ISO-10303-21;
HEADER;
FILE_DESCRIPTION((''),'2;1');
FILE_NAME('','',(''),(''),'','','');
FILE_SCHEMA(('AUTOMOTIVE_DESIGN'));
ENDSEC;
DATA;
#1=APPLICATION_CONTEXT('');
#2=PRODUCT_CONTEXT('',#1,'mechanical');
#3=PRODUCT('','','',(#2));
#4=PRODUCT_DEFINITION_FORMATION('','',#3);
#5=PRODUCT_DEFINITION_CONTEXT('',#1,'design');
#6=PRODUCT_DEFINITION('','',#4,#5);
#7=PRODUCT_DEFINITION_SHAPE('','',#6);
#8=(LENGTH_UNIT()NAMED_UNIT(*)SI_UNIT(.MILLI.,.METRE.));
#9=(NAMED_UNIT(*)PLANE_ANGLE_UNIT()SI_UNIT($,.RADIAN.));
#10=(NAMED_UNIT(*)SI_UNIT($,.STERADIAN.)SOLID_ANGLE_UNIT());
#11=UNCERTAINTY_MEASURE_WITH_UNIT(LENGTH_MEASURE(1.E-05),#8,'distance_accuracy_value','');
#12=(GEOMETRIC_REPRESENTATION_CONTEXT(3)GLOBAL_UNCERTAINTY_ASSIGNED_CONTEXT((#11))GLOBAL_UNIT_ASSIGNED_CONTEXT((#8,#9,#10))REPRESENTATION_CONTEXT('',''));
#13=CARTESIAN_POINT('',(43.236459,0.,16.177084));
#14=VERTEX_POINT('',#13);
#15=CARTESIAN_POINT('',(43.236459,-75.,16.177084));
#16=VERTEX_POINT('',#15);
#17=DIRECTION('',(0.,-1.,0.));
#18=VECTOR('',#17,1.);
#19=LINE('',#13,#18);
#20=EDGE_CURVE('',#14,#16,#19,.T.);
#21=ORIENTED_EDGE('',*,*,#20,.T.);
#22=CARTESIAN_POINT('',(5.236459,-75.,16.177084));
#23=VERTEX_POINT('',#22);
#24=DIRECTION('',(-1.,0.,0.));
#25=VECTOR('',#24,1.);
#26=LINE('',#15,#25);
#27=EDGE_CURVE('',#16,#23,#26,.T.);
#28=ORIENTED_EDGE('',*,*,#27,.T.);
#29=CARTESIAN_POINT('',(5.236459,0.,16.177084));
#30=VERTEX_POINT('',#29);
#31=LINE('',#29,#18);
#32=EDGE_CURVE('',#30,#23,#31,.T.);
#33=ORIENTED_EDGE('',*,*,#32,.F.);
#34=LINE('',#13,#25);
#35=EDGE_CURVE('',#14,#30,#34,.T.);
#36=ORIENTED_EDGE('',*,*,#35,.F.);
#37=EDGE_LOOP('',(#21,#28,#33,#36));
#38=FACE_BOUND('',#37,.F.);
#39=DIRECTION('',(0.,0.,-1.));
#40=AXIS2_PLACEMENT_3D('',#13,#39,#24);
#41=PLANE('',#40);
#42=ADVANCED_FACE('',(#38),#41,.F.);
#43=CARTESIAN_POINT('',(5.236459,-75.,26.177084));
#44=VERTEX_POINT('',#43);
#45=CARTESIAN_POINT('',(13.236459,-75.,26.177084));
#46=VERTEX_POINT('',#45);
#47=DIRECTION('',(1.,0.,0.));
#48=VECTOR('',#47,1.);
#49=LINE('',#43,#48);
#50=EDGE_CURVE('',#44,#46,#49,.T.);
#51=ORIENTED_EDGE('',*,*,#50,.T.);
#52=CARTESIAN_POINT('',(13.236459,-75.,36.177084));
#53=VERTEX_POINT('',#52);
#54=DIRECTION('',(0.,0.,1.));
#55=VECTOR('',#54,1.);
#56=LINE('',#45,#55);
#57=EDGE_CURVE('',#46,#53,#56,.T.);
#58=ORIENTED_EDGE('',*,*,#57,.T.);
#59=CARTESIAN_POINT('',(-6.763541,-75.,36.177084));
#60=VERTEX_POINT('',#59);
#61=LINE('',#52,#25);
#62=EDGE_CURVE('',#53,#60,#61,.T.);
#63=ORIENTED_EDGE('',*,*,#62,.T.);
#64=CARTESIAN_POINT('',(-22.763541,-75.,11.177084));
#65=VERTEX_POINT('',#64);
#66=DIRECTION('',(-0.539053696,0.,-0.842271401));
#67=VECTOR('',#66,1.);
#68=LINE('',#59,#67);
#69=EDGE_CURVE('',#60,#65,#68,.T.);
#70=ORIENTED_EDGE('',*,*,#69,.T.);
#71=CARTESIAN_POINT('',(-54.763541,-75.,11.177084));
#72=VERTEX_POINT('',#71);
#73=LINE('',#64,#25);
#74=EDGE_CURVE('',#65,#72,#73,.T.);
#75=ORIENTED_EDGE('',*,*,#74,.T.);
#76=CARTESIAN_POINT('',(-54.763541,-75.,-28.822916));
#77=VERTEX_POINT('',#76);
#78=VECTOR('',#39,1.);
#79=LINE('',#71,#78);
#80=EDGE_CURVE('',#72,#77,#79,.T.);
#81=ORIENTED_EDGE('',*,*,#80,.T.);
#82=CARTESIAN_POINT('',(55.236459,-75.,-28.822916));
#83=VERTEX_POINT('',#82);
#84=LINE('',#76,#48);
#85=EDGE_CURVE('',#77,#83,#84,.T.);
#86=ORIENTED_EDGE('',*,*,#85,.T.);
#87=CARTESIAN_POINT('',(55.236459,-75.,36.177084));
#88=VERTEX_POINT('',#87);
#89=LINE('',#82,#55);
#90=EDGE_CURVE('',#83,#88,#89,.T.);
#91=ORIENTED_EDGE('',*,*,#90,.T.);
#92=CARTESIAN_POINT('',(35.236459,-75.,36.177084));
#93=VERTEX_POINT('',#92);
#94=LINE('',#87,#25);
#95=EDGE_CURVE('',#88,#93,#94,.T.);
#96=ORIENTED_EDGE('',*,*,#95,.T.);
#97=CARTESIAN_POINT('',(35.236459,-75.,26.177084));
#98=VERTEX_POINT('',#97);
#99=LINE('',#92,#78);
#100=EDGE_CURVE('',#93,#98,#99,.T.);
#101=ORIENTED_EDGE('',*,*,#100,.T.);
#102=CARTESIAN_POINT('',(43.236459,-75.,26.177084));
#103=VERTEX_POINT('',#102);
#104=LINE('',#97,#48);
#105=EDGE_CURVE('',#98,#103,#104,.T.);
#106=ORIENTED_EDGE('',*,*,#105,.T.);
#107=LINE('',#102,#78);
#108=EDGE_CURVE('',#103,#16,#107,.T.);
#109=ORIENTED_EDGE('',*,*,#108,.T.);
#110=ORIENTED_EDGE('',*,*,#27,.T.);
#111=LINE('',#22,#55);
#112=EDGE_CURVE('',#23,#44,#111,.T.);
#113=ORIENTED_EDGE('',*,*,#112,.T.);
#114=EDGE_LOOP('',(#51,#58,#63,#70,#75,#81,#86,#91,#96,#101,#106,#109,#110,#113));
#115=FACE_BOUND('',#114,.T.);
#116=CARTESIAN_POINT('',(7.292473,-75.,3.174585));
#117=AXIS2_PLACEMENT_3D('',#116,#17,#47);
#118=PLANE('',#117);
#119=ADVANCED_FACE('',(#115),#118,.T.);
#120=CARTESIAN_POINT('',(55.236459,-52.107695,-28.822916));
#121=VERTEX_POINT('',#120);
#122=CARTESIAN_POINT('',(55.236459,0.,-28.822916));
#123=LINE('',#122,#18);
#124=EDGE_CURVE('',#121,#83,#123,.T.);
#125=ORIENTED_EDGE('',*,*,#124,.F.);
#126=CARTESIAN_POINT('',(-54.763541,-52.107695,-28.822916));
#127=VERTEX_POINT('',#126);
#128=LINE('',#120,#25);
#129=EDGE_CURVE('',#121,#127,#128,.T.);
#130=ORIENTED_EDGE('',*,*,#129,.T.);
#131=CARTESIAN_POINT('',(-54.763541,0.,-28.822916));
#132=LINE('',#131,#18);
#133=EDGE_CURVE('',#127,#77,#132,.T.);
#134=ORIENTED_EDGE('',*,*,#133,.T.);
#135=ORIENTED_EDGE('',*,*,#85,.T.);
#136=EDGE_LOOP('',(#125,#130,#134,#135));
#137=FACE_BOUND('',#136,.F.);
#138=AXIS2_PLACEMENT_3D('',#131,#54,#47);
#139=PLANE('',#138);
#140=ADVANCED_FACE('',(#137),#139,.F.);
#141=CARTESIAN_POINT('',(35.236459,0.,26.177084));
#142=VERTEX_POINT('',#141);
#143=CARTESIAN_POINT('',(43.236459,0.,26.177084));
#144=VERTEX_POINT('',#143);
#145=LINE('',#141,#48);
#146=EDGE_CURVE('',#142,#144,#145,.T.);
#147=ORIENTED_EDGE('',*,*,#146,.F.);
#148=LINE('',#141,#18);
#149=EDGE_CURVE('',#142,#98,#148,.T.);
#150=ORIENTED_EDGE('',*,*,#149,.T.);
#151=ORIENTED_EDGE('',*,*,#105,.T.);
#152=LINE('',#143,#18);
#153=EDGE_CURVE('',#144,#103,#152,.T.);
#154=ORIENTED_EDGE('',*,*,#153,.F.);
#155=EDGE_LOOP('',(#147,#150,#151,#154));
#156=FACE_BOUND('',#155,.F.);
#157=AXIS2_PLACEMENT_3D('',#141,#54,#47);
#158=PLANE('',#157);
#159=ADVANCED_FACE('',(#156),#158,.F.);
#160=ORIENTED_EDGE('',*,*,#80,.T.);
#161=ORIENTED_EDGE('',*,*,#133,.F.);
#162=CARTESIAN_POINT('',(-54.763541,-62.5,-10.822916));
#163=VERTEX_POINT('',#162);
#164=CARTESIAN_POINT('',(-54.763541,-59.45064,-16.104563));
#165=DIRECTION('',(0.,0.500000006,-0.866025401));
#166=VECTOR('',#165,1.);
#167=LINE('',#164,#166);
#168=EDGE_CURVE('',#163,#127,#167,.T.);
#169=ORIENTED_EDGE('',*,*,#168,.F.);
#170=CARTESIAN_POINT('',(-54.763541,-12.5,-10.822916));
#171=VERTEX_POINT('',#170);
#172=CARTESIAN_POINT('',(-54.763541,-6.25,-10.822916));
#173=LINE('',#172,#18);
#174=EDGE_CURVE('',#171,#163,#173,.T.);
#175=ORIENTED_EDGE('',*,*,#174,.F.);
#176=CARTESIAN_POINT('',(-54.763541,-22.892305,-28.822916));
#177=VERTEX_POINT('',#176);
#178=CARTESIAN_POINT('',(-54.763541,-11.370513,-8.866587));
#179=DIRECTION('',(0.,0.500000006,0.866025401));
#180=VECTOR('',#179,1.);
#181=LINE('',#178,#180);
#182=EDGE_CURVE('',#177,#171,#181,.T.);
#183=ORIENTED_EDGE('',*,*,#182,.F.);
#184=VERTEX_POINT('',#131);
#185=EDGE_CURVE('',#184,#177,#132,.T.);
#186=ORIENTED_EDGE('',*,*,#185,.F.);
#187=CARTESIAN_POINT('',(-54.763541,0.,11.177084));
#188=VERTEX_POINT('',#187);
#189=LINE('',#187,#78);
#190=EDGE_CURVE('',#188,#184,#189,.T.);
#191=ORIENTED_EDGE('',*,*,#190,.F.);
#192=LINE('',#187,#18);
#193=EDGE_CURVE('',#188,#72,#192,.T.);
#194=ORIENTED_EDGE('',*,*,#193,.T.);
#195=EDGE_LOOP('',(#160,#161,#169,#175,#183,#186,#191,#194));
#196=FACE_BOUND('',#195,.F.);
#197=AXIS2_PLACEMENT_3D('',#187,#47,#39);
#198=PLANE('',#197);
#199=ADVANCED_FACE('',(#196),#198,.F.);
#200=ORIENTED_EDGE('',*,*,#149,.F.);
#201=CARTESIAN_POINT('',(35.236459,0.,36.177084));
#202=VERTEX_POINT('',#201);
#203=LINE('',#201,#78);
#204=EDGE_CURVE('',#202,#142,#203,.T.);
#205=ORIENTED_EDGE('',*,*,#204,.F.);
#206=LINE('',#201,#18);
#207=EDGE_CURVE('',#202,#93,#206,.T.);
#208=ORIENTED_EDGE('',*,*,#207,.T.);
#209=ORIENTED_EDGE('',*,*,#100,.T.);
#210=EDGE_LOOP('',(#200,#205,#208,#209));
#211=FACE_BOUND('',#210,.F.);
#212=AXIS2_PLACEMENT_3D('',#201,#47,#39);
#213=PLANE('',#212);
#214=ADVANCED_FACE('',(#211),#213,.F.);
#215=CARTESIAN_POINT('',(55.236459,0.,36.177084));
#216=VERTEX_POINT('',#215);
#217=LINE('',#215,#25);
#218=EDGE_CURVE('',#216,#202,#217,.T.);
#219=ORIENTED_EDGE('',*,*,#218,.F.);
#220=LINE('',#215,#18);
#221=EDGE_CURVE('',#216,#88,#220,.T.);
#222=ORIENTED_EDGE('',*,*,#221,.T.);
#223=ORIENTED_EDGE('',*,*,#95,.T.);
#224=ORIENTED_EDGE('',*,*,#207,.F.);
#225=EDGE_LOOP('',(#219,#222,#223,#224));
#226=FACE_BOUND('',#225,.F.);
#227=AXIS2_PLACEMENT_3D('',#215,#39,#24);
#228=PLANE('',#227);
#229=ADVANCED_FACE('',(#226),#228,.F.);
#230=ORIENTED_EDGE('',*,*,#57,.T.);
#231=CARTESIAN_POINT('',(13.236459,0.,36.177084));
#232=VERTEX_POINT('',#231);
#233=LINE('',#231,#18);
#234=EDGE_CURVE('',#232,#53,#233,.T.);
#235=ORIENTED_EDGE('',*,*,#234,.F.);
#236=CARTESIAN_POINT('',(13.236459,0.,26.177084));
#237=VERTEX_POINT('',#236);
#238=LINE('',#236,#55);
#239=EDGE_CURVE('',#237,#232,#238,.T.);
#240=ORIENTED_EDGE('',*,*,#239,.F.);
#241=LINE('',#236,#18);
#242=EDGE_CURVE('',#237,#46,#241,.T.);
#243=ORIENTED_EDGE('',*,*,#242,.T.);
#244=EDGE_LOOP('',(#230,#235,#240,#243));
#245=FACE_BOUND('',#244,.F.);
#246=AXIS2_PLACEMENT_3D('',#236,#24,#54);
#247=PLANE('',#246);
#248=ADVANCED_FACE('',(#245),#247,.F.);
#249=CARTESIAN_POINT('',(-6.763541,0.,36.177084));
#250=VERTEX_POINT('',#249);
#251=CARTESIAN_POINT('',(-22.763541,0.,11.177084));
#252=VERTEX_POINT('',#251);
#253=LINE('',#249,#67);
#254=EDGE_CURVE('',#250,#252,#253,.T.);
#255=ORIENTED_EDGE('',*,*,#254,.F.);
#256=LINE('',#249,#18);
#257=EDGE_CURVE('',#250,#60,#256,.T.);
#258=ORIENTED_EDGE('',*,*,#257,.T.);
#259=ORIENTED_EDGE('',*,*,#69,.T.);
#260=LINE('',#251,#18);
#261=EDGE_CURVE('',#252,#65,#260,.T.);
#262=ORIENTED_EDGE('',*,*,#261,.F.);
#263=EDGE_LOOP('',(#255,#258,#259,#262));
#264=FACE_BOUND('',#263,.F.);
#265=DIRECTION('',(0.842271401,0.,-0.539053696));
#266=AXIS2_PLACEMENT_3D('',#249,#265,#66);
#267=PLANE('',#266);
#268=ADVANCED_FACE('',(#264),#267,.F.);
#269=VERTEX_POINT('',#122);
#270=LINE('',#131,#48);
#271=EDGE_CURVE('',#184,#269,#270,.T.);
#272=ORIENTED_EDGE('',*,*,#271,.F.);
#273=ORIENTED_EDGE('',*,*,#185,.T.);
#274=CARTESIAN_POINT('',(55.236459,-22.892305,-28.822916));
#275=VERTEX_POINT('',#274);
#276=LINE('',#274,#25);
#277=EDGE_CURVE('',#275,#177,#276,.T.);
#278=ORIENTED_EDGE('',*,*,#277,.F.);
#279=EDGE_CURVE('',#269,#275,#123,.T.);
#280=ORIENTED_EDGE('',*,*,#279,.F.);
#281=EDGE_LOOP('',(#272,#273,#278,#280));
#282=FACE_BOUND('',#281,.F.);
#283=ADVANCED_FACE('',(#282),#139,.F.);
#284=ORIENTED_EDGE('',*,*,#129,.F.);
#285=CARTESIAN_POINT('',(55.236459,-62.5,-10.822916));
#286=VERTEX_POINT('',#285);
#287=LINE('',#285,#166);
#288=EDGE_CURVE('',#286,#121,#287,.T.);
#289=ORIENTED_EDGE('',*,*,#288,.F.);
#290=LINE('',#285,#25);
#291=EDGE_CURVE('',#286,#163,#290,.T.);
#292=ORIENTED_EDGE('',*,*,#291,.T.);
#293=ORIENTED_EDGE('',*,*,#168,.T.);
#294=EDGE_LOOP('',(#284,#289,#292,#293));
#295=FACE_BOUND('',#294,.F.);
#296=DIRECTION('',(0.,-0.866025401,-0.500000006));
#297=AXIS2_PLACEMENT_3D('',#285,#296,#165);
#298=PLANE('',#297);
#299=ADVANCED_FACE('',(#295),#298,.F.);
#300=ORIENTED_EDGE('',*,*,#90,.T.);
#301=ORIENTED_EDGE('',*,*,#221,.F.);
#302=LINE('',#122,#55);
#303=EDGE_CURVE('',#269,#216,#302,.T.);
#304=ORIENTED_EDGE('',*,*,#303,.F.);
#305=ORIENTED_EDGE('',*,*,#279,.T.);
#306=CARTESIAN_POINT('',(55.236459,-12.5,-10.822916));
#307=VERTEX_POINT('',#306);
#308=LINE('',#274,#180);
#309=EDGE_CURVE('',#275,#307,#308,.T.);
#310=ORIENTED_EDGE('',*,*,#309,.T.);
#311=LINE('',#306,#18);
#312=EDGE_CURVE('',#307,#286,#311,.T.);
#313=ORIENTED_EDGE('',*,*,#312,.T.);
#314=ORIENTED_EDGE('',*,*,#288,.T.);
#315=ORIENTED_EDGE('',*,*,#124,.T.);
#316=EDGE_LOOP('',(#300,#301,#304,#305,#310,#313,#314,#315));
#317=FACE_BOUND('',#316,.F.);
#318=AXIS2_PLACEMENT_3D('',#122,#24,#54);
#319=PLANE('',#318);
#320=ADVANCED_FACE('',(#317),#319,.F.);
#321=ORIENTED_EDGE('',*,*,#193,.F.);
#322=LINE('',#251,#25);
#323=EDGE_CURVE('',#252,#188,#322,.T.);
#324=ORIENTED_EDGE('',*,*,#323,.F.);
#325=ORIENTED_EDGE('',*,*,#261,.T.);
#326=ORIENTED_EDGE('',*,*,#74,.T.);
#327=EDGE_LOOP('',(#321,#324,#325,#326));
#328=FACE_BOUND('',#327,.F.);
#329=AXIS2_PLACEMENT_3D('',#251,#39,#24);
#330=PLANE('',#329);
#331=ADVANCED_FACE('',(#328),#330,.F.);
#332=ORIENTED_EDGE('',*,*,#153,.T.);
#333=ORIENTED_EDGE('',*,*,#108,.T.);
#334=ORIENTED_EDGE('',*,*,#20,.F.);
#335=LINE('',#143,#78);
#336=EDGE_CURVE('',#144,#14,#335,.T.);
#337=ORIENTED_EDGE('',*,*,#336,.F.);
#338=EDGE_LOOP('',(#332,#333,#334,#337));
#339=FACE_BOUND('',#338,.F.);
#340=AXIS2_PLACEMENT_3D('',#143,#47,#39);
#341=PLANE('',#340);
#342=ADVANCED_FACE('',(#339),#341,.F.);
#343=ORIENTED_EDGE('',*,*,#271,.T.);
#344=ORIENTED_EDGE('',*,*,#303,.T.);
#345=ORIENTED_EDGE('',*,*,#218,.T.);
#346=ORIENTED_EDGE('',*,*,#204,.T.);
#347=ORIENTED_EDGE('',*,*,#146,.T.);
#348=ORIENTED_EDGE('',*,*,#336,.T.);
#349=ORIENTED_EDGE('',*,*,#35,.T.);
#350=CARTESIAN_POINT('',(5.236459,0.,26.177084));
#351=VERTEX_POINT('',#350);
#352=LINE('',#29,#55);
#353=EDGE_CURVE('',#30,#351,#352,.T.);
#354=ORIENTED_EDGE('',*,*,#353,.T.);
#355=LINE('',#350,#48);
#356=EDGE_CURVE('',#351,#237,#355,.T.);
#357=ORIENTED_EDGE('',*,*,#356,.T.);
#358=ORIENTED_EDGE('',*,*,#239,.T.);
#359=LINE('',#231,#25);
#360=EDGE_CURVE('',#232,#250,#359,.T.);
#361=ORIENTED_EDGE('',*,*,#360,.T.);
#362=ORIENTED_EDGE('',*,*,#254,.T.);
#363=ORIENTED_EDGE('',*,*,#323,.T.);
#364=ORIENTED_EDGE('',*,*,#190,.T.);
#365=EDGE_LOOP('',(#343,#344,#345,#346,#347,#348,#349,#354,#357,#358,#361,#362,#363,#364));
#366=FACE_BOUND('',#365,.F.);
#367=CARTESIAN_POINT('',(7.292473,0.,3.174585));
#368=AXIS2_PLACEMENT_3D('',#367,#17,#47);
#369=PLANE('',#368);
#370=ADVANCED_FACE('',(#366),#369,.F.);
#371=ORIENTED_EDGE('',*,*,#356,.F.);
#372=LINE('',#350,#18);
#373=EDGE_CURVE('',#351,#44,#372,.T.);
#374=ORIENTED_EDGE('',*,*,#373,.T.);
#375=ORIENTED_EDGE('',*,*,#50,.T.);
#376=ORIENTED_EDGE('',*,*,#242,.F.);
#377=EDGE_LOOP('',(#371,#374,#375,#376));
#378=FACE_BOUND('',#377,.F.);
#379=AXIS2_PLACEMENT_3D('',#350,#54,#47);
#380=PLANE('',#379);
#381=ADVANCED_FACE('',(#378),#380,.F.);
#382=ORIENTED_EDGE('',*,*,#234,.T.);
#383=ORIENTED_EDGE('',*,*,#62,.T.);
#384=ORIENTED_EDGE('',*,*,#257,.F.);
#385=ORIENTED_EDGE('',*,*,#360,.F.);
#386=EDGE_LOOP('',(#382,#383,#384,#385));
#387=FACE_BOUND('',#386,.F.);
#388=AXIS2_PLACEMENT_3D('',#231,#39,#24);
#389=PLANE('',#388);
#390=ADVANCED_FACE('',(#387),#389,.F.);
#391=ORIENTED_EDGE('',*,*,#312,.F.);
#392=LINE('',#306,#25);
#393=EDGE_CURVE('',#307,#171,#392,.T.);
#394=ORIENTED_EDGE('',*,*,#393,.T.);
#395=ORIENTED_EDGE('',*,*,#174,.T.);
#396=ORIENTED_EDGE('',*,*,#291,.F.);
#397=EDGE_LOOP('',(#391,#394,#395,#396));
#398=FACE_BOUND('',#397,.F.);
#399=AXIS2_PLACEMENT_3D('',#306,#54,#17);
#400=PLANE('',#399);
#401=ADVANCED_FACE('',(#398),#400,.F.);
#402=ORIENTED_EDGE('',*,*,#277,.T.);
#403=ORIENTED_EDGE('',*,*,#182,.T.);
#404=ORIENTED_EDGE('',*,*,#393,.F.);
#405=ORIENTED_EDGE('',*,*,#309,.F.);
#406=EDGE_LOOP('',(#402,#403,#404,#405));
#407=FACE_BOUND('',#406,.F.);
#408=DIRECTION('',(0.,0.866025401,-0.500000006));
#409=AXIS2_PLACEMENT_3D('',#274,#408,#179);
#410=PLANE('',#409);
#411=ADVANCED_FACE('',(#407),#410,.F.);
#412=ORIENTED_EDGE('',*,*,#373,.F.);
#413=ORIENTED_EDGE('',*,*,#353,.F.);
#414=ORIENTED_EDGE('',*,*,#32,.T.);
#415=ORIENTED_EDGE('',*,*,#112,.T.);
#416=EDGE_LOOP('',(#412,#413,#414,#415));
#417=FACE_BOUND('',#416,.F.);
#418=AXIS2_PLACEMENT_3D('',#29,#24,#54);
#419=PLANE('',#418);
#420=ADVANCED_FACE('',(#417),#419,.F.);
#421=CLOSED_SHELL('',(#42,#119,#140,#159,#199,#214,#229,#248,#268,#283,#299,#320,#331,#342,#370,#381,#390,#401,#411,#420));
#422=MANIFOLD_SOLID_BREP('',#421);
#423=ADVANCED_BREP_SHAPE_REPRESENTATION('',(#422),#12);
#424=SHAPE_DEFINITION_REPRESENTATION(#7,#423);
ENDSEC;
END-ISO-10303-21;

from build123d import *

# Parameters (mm, degrees)
F1_DEPTH = 75
F3_DEPTH = 110.001


with BuildPart() as f1:
    # F0 (on Front) → F1 (new body)
    with BuildSketch(Plane.XZ):
        Polygon((-54.763541, 11.177084), (-54.763541, -28.822916), (55.236459, -28.822916), (55.236459, 36.177084), (35.236459, 36.177084), (35.236459, 26.177084), (43.236459, 26.177084), (43.236459, 16.177084), (5.236459, 16.177084), (5.236459, 26.177084), (13.236459, 26.177084), (13.236459, 36.177084), (-6.763541, 36.177084), (-22.763541, 11.177084), align=None)
    extrude(amount=F1_DEPTH)

    # F2 (on face) → F3 (cut, through all)
    with BuildSketch(Plane.YZ.offset(55.236459)):
        Polygon((-12.5, -10.822916), (-62.5, -10.822916), (-52.107695, -28.822916), (-22.892305, -28.822916), align=None)
    extrude(amount=-F3_DEPTH, mode=Mode.SUBTRACT)


solid = f1.part
